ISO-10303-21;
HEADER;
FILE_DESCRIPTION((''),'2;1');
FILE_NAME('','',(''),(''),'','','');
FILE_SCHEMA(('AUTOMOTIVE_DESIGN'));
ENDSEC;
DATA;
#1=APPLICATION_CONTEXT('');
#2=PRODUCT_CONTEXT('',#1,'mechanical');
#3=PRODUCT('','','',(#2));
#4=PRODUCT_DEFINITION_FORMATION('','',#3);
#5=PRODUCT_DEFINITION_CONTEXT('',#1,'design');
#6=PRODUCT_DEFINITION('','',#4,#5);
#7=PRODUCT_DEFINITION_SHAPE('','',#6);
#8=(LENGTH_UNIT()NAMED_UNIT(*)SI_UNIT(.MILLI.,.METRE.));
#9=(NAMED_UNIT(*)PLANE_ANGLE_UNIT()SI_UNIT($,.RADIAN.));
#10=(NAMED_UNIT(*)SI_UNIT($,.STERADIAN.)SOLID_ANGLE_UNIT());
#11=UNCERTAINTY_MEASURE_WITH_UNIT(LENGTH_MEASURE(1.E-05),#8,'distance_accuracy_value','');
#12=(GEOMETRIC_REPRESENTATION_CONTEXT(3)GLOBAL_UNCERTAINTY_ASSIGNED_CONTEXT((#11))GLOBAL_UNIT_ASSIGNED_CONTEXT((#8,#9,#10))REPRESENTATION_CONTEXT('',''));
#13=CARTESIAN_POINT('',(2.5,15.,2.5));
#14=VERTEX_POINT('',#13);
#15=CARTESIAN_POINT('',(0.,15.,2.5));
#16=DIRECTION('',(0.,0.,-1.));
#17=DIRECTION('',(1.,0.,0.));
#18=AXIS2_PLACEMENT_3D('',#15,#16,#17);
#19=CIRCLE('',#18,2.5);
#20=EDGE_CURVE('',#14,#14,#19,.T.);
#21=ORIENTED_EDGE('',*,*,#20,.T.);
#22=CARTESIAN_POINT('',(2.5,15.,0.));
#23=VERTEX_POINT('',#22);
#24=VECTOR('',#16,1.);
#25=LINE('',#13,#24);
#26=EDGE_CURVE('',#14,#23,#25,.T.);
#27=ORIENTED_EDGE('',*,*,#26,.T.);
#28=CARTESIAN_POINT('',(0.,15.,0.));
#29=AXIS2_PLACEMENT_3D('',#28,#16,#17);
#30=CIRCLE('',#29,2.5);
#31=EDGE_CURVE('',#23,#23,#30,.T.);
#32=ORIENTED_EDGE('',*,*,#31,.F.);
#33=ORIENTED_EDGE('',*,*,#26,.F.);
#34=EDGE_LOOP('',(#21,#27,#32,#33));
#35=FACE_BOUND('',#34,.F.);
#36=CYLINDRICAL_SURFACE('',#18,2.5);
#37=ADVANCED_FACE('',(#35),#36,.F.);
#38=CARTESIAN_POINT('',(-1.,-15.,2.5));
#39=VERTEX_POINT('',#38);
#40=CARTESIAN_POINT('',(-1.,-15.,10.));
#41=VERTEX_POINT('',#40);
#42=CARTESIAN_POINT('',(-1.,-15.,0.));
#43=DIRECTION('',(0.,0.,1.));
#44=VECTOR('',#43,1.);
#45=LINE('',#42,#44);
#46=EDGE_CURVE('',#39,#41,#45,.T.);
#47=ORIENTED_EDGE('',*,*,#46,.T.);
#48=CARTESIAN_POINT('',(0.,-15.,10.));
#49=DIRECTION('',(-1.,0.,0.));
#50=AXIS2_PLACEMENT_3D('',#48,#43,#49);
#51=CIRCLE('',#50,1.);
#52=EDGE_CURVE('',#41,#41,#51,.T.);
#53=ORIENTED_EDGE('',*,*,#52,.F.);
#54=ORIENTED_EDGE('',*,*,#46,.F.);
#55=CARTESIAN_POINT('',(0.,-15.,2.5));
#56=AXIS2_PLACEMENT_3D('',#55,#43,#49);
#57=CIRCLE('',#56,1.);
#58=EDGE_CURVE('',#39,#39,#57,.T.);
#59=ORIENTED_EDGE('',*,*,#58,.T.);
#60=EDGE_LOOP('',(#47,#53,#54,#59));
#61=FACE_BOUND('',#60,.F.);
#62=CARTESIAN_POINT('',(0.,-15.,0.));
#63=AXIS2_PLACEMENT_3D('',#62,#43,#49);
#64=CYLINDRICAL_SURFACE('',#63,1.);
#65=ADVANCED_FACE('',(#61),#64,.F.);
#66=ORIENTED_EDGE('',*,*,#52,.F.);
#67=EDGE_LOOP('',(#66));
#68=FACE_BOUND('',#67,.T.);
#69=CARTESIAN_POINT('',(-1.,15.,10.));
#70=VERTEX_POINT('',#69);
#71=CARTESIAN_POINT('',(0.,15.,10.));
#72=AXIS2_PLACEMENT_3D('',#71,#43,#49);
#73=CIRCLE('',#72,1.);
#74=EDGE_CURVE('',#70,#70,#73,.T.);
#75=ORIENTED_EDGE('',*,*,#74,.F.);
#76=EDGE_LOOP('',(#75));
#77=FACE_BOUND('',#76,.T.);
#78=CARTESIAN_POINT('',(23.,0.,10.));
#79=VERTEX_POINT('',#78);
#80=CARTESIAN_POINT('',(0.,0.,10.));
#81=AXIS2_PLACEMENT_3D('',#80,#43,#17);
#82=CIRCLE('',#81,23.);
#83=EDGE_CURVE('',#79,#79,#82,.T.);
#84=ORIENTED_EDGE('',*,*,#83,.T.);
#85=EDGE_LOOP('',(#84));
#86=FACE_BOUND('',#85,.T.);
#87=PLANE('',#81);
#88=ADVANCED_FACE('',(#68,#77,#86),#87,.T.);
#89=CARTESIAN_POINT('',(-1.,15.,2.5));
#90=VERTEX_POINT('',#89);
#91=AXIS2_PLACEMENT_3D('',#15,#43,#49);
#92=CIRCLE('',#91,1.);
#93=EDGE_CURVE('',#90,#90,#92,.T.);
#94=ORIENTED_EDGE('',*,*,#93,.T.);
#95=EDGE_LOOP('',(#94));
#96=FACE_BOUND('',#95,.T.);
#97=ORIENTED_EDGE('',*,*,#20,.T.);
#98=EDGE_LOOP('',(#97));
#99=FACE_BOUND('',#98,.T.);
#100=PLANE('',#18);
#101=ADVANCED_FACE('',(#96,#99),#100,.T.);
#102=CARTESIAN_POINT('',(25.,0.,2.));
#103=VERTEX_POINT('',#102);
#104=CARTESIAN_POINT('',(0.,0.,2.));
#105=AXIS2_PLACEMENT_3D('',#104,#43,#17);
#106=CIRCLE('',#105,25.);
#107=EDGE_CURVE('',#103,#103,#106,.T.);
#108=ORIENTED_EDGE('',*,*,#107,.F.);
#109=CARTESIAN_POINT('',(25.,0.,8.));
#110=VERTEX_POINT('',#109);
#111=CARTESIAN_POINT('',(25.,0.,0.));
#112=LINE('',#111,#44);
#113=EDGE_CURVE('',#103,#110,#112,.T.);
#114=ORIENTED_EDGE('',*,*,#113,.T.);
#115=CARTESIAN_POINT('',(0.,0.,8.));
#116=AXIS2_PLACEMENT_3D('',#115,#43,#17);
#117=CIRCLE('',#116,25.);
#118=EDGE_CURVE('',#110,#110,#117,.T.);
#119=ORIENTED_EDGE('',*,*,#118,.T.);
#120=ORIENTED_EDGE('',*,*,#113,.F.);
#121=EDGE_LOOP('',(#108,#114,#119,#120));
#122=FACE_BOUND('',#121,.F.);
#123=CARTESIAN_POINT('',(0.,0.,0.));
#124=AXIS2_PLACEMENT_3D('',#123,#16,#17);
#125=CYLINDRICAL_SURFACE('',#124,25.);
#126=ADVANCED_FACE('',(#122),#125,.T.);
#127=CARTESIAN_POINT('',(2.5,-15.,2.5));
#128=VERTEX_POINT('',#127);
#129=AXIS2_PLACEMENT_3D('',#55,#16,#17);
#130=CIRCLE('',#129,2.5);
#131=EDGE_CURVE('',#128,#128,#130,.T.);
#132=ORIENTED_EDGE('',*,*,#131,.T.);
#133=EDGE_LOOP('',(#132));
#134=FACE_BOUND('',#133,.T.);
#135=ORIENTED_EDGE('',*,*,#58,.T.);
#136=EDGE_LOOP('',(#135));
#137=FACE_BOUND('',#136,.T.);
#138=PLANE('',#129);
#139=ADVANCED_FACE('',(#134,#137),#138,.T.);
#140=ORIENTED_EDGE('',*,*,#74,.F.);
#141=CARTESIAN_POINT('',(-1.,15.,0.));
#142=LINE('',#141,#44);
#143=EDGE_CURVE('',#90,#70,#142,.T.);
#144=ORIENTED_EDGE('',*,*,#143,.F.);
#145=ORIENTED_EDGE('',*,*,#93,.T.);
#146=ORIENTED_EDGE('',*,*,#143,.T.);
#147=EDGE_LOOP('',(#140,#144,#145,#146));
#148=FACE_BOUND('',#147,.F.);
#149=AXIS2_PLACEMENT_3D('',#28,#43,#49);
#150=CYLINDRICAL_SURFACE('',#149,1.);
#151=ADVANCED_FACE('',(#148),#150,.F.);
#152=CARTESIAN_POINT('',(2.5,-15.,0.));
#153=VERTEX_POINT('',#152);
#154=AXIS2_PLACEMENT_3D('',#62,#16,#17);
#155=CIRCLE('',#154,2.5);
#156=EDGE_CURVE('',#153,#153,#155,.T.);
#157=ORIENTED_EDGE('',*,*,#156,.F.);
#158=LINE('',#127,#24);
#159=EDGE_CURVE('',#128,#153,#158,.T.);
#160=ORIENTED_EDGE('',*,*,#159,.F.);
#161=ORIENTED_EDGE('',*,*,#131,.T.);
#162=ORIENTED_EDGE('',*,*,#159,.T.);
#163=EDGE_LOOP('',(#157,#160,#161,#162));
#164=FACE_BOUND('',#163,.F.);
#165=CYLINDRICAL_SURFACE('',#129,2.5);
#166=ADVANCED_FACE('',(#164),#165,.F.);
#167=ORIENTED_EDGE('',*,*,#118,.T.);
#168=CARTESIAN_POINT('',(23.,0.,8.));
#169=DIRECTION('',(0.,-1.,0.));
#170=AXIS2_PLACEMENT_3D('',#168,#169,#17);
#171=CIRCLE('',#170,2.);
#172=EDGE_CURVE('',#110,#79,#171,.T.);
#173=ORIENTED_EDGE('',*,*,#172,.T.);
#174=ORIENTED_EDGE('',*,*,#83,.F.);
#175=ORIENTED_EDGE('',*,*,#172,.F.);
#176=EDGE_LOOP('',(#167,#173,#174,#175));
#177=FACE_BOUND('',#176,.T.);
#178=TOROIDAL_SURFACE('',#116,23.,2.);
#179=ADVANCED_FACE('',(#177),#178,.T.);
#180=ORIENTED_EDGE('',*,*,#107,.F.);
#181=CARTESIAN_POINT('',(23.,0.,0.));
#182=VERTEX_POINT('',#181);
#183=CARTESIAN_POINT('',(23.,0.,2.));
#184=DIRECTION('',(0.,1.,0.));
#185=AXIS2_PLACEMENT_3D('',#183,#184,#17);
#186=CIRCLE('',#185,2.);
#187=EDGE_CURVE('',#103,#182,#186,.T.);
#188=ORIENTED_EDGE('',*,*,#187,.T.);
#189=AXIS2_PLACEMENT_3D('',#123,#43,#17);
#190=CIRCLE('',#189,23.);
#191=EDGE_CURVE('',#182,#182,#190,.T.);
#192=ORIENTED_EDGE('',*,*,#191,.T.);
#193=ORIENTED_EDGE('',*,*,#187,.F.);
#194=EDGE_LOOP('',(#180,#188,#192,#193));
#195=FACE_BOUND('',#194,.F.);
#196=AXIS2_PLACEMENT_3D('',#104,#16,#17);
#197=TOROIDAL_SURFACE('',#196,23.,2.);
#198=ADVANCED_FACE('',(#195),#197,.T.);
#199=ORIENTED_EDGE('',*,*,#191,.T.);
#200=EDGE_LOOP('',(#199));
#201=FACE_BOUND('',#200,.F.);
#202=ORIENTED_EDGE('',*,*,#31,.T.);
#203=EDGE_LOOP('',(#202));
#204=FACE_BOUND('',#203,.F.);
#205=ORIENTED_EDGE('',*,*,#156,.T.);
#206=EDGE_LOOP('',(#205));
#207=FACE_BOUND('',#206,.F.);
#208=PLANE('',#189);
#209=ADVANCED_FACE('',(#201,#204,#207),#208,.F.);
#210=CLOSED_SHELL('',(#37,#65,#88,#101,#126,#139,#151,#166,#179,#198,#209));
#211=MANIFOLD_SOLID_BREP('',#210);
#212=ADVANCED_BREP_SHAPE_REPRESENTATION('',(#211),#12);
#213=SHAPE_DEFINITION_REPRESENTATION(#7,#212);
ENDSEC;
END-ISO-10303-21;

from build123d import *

# Parameters (mm, degrees)
F0_R           = 25
F1_DEPTH       = 10
F2_R           = 2
F4_D           = 2
F4_CBORE_D     = 5
F4_CBORE_DEPTH = 2.5


with BuildPart() as f1:
    # F0 (on Top) → F1 (new body)
    with BuildSketch(Plane.XY):
        Circle(F0_R)
    extrude(amount=F1_DEPTH)

    # F2
    f2_edges = [f1.edges().sort_by_distance(p)[0] for p in [
        (-25, 0, 10),
        (-25, 0, 0),
    ]]
    fillet(f2_edges, radius=F2_R)

    # F4 (through all)
    with Locations(Plane(origin=(0, 0, 0), x_dir=(1, 0, 0), z_dir=(0, 0, -1))):
        with Locations((0, 15), (0, -15)):
            CounterBoreHole(F4_D / 2, F4_CBORE_D / 2, F4_CBORE_DEPTH)


solid = f1.part
